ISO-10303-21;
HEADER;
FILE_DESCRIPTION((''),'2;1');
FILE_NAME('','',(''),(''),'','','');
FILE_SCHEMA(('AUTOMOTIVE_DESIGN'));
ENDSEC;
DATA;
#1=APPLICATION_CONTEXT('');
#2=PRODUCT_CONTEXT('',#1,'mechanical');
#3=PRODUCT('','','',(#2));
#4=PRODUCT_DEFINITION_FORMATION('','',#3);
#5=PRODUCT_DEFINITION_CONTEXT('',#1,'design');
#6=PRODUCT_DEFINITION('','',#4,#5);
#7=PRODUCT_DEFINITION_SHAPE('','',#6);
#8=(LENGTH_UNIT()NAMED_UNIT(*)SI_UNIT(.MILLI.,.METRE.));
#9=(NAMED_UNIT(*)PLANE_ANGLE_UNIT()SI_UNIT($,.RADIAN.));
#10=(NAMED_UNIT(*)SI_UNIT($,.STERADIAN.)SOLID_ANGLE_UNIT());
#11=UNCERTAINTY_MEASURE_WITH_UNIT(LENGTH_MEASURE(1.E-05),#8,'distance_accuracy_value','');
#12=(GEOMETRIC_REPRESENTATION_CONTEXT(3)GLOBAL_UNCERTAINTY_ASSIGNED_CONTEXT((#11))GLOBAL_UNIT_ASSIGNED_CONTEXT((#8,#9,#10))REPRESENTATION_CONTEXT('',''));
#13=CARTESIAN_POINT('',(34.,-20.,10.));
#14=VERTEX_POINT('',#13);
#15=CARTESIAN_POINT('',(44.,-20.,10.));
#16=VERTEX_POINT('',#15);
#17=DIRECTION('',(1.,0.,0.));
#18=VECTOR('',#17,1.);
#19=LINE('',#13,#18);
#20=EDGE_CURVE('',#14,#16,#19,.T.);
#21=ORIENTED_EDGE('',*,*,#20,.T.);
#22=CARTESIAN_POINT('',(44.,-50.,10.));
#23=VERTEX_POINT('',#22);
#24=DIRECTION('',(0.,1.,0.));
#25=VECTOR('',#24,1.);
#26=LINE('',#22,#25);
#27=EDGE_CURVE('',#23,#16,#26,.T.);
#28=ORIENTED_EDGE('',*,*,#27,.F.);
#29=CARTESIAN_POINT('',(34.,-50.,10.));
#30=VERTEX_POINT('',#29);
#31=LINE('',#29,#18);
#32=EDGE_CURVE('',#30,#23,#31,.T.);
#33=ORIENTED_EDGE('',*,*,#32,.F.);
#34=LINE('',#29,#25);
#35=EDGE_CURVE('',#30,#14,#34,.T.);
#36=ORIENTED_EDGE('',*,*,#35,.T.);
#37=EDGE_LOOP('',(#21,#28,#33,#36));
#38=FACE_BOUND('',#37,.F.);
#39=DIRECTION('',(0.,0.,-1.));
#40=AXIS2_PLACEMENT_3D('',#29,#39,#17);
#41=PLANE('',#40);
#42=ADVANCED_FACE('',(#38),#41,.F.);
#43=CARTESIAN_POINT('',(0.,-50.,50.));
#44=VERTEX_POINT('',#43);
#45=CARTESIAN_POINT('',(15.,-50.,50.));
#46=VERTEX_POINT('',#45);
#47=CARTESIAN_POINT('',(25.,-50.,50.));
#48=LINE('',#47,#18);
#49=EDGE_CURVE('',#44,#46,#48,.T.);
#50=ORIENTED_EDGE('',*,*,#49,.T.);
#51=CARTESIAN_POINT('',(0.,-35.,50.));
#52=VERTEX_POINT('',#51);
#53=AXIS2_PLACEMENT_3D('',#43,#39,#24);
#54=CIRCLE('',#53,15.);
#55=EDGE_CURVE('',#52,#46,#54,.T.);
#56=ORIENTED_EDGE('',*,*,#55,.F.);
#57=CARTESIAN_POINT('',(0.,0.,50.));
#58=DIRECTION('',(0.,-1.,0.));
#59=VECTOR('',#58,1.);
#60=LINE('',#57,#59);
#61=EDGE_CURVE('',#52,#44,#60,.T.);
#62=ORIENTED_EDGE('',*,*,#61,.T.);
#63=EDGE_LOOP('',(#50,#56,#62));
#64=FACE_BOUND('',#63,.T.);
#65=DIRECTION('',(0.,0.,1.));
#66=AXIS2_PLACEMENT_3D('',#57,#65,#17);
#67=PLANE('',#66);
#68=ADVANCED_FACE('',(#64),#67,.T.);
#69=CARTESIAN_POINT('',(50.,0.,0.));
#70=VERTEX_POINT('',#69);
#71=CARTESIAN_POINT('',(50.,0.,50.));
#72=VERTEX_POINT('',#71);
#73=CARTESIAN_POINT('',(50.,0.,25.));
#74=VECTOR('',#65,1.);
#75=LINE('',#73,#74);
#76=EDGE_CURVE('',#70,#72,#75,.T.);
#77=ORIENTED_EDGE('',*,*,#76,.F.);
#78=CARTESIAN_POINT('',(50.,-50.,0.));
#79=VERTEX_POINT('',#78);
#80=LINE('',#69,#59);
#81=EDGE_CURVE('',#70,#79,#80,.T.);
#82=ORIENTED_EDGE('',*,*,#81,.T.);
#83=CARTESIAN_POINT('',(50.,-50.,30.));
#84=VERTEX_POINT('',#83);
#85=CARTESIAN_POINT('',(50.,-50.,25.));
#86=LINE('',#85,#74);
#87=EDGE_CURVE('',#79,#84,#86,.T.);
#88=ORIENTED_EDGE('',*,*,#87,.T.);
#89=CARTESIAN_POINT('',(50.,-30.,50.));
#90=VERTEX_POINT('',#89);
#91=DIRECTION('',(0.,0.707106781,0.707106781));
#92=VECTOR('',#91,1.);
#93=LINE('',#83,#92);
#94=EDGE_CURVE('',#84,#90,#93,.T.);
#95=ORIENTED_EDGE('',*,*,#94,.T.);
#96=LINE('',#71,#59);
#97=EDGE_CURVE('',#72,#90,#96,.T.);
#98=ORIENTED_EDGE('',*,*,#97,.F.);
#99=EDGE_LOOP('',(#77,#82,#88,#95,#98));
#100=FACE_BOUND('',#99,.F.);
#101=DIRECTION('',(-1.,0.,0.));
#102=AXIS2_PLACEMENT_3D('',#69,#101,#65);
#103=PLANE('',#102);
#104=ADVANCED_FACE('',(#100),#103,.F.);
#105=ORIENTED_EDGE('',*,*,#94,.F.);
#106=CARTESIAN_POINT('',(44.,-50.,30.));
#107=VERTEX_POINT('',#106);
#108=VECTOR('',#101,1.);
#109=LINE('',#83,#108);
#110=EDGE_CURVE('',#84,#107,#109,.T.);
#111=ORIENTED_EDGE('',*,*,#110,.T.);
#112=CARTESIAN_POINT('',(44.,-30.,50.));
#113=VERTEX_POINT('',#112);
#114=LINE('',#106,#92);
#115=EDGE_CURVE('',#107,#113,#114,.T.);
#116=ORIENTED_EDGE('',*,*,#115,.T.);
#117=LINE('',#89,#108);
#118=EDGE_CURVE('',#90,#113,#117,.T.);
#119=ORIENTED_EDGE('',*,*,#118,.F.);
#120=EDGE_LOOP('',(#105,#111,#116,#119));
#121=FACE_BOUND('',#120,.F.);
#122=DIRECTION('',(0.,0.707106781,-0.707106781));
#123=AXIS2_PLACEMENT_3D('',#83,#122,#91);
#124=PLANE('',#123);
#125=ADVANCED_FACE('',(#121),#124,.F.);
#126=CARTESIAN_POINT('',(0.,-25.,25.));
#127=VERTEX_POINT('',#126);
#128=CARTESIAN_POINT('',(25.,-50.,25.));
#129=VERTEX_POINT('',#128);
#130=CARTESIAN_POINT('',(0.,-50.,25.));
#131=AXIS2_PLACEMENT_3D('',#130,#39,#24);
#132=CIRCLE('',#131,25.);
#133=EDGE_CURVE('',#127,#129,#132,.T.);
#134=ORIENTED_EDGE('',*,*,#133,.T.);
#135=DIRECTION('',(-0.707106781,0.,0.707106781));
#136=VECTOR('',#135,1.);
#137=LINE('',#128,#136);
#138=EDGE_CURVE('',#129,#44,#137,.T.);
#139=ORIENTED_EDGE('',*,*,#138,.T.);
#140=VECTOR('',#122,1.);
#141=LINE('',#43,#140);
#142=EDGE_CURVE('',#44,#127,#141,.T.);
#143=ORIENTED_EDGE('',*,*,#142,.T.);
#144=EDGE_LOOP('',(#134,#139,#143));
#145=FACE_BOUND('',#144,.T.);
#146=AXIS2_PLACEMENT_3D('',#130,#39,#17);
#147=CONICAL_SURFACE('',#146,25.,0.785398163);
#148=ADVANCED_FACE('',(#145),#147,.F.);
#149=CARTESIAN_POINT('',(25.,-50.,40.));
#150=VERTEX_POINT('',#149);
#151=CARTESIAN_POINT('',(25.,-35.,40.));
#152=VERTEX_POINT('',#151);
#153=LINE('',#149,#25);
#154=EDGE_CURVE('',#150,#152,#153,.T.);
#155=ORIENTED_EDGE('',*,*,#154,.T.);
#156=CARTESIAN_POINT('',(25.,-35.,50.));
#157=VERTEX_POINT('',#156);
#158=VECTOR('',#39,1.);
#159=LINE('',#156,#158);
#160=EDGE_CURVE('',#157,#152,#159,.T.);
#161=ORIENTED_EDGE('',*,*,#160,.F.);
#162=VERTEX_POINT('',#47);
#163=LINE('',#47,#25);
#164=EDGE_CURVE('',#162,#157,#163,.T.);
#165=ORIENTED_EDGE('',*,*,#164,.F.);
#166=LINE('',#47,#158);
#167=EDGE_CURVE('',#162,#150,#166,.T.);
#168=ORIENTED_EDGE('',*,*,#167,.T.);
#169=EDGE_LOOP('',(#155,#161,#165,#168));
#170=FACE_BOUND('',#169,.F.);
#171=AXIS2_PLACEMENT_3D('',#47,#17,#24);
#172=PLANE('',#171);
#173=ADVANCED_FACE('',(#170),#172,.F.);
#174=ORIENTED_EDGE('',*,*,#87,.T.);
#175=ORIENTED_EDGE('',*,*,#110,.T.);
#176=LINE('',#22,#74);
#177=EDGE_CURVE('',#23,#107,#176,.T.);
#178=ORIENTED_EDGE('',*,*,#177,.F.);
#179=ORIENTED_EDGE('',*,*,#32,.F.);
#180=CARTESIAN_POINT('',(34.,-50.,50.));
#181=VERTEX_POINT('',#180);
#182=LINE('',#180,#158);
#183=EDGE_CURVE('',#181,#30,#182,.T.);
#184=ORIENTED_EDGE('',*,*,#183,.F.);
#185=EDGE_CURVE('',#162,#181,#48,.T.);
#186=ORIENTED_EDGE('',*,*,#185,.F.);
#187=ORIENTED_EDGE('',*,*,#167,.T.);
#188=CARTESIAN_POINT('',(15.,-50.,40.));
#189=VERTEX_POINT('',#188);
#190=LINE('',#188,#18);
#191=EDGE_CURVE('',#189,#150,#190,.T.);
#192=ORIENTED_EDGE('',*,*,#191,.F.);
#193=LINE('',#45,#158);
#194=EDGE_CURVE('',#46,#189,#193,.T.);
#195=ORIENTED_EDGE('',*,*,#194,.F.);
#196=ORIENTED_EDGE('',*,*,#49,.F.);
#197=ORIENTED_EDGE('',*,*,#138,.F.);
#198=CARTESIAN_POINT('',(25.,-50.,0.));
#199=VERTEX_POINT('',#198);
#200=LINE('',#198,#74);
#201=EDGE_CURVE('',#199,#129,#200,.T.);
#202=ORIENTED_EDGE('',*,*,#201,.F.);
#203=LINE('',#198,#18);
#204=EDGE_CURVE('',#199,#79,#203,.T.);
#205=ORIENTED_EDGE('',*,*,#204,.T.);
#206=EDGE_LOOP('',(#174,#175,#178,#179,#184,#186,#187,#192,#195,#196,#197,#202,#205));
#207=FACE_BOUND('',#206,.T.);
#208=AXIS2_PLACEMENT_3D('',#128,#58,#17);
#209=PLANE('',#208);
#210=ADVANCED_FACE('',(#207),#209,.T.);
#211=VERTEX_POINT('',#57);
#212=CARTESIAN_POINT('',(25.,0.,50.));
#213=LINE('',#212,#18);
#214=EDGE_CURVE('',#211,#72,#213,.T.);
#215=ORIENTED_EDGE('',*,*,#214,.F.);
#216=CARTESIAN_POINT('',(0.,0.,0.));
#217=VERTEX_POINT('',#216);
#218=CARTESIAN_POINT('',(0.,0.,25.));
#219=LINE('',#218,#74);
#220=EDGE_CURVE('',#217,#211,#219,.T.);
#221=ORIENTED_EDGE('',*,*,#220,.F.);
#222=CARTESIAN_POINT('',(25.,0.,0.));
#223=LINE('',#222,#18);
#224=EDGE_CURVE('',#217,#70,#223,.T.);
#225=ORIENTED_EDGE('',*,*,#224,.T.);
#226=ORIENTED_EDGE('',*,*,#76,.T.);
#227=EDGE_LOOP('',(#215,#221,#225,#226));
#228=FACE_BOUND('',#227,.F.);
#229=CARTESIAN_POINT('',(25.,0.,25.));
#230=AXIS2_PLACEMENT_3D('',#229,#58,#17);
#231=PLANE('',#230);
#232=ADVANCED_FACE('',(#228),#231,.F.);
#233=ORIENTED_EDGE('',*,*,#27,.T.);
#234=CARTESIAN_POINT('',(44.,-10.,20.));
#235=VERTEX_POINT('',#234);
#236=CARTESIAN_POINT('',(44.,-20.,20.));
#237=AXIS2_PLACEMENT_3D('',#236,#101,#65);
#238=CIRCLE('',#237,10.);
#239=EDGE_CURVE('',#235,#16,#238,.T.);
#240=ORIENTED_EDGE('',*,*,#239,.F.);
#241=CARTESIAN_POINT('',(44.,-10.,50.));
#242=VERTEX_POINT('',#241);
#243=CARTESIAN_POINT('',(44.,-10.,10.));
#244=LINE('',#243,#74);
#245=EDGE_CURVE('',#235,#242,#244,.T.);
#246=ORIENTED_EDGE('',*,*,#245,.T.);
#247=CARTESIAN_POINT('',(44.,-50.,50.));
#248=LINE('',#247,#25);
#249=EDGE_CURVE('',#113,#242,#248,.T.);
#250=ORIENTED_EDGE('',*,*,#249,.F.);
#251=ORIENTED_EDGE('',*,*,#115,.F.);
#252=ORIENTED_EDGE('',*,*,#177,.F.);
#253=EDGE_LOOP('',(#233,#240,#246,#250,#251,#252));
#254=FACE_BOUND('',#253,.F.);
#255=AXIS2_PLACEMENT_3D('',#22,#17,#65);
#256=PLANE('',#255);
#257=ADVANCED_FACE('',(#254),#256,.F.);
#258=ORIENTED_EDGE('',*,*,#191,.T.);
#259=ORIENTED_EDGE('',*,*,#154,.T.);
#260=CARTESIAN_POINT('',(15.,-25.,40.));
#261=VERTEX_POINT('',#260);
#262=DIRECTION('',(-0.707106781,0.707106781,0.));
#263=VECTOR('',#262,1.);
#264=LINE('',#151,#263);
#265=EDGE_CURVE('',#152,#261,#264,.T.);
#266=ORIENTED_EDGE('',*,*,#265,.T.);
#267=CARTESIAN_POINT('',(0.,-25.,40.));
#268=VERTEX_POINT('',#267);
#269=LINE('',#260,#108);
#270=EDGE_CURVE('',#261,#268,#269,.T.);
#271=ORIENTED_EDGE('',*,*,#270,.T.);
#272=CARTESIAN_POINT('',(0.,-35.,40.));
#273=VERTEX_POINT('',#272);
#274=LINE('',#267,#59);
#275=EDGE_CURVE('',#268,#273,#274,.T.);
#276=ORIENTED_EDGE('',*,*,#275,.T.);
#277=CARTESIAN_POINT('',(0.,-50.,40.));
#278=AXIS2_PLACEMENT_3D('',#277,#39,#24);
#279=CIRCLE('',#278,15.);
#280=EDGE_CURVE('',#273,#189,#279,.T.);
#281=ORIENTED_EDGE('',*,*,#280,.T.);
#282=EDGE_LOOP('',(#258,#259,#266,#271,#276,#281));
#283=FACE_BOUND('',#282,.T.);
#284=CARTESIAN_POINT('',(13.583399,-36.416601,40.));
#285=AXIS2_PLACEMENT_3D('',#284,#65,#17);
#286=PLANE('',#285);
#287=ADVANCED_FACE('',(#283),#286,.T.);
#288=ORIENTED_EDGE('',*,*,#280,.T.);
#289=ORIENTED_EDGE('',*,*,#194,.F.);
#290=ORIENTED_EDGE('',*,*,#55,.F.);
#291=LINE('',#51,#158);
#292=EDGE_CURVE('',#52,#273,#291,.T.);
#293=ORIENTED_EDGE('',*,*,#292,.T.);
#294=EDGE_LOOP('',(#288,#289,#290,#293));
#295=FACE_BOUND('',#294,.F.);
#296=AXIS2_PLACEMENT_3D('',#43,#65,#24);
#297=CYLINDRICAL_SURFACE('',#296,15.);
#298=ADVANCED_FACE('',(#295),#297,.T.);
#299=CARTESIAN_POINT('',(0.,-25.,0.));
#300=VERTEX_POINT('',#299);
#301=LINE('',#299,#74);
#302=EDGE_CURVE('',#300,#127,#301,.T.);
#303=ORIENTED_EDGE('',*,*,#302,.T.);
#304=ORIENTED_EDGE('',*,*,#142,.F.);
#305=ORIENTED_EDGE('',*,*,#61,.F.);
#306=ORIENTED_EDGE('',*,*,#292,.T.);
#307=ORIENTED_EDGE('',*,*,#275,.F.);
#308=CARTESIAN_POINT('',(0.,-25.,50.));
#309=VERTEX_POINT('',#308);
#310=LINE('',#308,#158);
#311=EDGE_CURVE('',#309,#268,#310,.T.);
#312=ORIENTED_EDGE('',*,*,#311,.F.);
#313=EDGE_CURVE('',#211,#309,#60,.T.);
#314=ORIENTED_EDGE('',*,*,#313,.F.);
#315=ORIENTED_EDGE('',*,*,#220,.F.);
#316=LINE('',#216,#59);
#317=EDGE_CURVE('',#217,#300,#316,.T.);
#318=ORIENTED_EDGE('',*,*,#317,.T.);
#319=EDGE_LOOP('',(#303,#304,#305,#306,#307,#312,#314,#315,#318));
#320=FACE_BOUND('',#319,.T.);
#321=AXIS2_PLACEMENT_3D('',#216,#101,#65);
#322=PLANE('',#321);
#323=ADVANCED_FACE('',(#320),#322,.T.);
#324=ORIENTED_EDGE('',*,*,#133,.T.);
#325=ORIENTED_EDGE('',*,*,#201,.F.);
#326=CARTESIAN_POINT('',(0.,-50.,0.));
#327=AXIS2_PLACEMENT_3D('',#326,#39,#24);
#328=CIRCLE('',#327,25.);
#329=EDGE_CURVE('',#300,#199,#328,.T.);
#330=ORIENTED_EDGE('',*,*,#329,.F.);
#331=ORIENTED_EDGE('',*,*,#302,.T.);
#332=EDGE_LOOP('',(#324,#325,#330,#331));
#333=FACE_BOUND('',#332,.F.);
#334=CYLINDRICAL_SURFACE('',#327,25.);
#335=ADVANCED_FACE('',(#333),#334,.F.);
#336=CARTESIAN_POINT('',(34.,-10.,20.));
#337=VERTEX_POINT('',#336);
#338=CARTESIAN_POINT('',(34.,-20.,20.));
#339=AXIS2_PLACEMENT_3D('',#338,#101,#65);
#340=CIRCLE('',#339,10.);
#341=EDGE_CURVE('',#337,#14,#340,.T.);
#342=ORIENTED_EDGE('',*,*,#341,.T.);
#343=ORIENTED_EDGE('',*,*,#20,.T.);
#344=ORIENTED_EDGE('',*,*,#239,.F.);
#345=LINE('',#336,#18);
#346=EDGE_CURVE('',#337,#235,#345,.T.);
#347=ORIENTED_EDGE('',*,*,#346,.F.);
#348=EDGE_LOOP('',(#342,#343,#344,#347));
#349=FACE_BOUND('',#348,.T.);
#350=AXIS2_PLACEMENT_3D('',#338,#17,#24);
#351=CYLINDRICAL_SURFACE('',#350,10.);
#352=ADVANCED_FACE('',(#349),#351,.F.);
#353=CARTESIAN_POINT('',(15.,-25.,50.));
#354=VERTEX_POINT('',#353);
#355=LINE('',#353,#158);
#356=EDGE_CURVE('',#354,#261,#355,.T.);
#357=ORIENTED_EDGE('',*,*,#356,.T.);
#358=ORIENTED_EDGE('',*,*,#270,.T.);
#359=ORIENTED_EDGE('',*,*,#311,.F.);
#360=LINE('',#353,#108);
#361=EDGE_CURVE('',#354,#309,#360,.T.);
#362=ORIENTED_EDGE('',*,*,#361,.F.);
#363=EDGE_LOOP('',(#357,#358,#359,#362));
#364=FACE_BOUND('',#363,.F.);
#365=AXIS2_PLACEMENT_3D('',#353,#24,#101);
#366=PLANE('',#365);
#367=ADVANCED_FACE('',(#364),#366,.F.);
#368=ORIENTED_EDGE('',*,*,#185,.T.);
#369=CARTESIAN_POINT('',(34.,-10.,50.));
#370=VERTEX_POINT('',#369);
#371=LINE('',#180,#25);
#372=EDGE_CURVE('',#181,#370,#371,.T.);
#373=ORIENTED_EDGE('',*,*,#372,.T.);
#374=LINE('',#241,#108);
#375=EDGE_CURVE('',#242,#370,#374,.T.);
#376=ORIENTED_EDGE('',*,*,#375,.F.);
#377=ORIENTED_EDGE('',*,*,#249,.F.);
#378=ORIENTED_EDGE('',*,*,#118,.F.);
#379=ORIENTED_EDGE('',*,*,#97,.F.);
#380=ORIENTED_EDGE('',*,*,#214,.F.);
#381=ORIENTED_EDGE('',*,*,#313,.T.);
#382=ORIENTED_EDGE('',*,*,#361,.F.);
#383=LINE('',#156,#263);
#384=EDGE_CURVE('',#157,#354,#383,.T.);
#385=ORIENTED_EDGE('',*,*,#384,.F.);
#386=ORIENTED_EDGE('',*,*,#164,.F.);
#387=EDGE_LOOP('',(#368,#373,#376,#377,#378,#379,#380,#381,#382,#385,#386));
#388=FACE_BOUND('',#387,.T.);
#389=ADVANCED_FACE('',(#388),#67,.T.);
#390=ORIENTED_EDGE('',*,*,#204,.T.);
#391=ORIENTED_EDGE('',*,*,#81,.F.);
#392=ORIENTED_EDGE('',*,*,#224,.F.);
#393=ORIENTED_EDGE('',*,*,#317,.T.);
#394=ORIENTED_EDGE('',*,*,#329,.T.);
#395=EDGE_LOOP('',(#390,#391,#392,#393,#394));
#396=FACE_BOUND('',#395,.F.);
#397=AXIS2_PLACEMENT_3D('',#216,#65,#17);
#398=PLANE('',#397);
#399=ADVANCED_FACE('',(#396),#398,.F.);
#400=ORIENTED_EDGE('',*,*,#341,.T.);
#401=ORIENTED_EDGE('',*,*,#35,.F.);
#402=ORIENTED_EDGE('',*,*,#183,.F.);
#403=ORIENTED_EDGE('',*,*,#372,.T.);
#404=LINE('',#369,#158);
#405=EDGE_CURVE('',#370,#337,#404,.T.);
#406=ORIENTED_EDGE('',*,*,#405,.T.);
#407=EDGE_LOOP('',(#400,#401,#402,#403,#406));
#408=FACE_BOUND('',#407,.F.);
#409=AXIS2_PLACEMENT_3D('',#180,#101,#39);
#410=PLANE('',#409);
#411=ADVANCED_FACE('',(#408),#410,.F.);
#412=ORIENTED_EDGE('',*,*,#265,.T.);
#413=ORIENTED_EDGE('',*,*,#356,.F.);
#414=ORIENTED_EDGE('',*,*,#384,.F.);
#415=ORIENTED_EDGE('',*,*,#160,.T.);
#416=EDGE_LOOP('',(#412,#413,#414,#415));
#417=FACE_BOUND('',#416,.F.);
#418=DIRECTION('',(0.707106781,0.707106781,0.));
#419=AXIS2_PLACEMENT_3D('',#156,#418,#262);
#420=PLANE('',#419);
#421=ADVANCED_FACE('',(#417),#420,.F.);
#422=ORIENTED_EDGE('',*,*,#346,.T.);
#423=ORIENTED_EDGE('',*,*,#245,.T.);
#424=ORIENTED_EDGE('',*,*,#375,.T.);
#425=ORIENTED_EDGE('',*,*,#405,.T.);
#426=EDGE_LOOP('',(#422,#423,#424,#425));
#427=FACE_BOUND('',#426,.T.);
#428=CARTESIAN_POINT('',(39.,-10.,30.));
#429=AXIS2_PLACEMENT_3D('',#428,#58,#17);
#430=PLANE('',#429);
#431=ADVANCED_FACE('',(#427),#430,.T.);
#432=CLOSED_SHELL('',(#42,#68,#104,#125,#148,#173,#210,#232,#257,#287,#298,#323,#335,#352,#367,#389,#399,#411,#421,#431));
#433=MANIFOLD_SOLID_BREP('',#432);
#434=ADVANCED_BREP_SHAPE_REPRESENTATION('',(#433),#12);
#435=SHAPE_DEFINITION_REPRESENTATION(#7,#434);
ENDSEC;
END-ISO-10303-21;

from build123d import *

# Parameters (mm, degrees)
F0_W      = 50
F0_H      = 50
F1_DEPTH  = 50
F3_DEPTH  = 6
F5_DEPTH  = 40
F6_R      = 10
F8_DEPTH  = 10
F10_DEPTH = 25


with BuildPart() as f1:
    # F0 (on Front) → F1 (new body)
    with BuildSketch(Plane.XZ):
        with Locations((25, 25)):
            Rectangle(F0_W, F0_H)
    extrude(amount=F1_DEPTH)

    # F2 (on face) → F3 (cut)
    with BuildSketch(Plane.YZ.offset(50)):
        Polygon((-30, 50), (-50, 50), (-50, 30), align=None)
    extrude(amount=-F3_DEPTH, mode=Mode.SUBTRACT)

    # F4 (on face) → F5 (cut)
    with BuildSketch(Plane.XZ.offset(50)):
        Polygon((44, 30), (44, 50), (34, 50), (34, 10), (44, 10), align=None)
    extrude(amount=-F5_DEPTH, mode=Mode.SUBTRACT)

    # F6
    f6_edges = [f1.edges().sort_by_distance(p)[0] for p in [
        (39, -10, 10),
    ]]
    fillet(f6_edges, radius=F6_R)

    # F7 (on face) → F8 (cut)
    with BuildSketch(Plane.XY.offset(50)):
        with BuildLine():
            ThreePointArc((0, -35), (10.6066017178, -39.3933982822), (15, -50))
            Line((15, -50), (25, -50))
            Line((25, -50), (25, -35))
            Line((25, -35), (15, -25))
            Line((15, -25), (0, -25))
            Line((0, -25), (0, -35))
        make_face()
    extrude(amount=-F8_DEPTH, mode=Mode.SUBTRACT)

    # F9 (on face) → F10 (cut)
    with BuildSketch(Plane(origin=(0, 0, 0), x_dir=(1, 0, 0), z_dir=(0, 0, -1))):
        with BuildLine():
            ThreePointArc((0, 25), (17.6776695297, 32.3223304703), (25, 50))
            Line((25, 50), (0, 50))
            Line((0, 50), (0, 25))
        make_face()
    extrude(amount=-F10_DEPTH, mode=Mode.SUBTRACT)

    # F12 (on face) + F13 (on face) → F14 (revolve, cut)
    with BuildSketch(Plane.XZ.offset(50)):
        Polygon((25, 25), (0, 50), (0, 25), align=None)
    with BuildSketch(Plane(origin=(0, 0, 0), x_dir=(0, -1, 0), z_dir=(-1, 0, 0))):
        Polygon((50, 25), (50, 50), (25, 25), align=None)
    revolve(axis=Axis((0, -50, 25), (0, 0, -1)), mode=Mode.SUBTRACT)


solid = f1.part
